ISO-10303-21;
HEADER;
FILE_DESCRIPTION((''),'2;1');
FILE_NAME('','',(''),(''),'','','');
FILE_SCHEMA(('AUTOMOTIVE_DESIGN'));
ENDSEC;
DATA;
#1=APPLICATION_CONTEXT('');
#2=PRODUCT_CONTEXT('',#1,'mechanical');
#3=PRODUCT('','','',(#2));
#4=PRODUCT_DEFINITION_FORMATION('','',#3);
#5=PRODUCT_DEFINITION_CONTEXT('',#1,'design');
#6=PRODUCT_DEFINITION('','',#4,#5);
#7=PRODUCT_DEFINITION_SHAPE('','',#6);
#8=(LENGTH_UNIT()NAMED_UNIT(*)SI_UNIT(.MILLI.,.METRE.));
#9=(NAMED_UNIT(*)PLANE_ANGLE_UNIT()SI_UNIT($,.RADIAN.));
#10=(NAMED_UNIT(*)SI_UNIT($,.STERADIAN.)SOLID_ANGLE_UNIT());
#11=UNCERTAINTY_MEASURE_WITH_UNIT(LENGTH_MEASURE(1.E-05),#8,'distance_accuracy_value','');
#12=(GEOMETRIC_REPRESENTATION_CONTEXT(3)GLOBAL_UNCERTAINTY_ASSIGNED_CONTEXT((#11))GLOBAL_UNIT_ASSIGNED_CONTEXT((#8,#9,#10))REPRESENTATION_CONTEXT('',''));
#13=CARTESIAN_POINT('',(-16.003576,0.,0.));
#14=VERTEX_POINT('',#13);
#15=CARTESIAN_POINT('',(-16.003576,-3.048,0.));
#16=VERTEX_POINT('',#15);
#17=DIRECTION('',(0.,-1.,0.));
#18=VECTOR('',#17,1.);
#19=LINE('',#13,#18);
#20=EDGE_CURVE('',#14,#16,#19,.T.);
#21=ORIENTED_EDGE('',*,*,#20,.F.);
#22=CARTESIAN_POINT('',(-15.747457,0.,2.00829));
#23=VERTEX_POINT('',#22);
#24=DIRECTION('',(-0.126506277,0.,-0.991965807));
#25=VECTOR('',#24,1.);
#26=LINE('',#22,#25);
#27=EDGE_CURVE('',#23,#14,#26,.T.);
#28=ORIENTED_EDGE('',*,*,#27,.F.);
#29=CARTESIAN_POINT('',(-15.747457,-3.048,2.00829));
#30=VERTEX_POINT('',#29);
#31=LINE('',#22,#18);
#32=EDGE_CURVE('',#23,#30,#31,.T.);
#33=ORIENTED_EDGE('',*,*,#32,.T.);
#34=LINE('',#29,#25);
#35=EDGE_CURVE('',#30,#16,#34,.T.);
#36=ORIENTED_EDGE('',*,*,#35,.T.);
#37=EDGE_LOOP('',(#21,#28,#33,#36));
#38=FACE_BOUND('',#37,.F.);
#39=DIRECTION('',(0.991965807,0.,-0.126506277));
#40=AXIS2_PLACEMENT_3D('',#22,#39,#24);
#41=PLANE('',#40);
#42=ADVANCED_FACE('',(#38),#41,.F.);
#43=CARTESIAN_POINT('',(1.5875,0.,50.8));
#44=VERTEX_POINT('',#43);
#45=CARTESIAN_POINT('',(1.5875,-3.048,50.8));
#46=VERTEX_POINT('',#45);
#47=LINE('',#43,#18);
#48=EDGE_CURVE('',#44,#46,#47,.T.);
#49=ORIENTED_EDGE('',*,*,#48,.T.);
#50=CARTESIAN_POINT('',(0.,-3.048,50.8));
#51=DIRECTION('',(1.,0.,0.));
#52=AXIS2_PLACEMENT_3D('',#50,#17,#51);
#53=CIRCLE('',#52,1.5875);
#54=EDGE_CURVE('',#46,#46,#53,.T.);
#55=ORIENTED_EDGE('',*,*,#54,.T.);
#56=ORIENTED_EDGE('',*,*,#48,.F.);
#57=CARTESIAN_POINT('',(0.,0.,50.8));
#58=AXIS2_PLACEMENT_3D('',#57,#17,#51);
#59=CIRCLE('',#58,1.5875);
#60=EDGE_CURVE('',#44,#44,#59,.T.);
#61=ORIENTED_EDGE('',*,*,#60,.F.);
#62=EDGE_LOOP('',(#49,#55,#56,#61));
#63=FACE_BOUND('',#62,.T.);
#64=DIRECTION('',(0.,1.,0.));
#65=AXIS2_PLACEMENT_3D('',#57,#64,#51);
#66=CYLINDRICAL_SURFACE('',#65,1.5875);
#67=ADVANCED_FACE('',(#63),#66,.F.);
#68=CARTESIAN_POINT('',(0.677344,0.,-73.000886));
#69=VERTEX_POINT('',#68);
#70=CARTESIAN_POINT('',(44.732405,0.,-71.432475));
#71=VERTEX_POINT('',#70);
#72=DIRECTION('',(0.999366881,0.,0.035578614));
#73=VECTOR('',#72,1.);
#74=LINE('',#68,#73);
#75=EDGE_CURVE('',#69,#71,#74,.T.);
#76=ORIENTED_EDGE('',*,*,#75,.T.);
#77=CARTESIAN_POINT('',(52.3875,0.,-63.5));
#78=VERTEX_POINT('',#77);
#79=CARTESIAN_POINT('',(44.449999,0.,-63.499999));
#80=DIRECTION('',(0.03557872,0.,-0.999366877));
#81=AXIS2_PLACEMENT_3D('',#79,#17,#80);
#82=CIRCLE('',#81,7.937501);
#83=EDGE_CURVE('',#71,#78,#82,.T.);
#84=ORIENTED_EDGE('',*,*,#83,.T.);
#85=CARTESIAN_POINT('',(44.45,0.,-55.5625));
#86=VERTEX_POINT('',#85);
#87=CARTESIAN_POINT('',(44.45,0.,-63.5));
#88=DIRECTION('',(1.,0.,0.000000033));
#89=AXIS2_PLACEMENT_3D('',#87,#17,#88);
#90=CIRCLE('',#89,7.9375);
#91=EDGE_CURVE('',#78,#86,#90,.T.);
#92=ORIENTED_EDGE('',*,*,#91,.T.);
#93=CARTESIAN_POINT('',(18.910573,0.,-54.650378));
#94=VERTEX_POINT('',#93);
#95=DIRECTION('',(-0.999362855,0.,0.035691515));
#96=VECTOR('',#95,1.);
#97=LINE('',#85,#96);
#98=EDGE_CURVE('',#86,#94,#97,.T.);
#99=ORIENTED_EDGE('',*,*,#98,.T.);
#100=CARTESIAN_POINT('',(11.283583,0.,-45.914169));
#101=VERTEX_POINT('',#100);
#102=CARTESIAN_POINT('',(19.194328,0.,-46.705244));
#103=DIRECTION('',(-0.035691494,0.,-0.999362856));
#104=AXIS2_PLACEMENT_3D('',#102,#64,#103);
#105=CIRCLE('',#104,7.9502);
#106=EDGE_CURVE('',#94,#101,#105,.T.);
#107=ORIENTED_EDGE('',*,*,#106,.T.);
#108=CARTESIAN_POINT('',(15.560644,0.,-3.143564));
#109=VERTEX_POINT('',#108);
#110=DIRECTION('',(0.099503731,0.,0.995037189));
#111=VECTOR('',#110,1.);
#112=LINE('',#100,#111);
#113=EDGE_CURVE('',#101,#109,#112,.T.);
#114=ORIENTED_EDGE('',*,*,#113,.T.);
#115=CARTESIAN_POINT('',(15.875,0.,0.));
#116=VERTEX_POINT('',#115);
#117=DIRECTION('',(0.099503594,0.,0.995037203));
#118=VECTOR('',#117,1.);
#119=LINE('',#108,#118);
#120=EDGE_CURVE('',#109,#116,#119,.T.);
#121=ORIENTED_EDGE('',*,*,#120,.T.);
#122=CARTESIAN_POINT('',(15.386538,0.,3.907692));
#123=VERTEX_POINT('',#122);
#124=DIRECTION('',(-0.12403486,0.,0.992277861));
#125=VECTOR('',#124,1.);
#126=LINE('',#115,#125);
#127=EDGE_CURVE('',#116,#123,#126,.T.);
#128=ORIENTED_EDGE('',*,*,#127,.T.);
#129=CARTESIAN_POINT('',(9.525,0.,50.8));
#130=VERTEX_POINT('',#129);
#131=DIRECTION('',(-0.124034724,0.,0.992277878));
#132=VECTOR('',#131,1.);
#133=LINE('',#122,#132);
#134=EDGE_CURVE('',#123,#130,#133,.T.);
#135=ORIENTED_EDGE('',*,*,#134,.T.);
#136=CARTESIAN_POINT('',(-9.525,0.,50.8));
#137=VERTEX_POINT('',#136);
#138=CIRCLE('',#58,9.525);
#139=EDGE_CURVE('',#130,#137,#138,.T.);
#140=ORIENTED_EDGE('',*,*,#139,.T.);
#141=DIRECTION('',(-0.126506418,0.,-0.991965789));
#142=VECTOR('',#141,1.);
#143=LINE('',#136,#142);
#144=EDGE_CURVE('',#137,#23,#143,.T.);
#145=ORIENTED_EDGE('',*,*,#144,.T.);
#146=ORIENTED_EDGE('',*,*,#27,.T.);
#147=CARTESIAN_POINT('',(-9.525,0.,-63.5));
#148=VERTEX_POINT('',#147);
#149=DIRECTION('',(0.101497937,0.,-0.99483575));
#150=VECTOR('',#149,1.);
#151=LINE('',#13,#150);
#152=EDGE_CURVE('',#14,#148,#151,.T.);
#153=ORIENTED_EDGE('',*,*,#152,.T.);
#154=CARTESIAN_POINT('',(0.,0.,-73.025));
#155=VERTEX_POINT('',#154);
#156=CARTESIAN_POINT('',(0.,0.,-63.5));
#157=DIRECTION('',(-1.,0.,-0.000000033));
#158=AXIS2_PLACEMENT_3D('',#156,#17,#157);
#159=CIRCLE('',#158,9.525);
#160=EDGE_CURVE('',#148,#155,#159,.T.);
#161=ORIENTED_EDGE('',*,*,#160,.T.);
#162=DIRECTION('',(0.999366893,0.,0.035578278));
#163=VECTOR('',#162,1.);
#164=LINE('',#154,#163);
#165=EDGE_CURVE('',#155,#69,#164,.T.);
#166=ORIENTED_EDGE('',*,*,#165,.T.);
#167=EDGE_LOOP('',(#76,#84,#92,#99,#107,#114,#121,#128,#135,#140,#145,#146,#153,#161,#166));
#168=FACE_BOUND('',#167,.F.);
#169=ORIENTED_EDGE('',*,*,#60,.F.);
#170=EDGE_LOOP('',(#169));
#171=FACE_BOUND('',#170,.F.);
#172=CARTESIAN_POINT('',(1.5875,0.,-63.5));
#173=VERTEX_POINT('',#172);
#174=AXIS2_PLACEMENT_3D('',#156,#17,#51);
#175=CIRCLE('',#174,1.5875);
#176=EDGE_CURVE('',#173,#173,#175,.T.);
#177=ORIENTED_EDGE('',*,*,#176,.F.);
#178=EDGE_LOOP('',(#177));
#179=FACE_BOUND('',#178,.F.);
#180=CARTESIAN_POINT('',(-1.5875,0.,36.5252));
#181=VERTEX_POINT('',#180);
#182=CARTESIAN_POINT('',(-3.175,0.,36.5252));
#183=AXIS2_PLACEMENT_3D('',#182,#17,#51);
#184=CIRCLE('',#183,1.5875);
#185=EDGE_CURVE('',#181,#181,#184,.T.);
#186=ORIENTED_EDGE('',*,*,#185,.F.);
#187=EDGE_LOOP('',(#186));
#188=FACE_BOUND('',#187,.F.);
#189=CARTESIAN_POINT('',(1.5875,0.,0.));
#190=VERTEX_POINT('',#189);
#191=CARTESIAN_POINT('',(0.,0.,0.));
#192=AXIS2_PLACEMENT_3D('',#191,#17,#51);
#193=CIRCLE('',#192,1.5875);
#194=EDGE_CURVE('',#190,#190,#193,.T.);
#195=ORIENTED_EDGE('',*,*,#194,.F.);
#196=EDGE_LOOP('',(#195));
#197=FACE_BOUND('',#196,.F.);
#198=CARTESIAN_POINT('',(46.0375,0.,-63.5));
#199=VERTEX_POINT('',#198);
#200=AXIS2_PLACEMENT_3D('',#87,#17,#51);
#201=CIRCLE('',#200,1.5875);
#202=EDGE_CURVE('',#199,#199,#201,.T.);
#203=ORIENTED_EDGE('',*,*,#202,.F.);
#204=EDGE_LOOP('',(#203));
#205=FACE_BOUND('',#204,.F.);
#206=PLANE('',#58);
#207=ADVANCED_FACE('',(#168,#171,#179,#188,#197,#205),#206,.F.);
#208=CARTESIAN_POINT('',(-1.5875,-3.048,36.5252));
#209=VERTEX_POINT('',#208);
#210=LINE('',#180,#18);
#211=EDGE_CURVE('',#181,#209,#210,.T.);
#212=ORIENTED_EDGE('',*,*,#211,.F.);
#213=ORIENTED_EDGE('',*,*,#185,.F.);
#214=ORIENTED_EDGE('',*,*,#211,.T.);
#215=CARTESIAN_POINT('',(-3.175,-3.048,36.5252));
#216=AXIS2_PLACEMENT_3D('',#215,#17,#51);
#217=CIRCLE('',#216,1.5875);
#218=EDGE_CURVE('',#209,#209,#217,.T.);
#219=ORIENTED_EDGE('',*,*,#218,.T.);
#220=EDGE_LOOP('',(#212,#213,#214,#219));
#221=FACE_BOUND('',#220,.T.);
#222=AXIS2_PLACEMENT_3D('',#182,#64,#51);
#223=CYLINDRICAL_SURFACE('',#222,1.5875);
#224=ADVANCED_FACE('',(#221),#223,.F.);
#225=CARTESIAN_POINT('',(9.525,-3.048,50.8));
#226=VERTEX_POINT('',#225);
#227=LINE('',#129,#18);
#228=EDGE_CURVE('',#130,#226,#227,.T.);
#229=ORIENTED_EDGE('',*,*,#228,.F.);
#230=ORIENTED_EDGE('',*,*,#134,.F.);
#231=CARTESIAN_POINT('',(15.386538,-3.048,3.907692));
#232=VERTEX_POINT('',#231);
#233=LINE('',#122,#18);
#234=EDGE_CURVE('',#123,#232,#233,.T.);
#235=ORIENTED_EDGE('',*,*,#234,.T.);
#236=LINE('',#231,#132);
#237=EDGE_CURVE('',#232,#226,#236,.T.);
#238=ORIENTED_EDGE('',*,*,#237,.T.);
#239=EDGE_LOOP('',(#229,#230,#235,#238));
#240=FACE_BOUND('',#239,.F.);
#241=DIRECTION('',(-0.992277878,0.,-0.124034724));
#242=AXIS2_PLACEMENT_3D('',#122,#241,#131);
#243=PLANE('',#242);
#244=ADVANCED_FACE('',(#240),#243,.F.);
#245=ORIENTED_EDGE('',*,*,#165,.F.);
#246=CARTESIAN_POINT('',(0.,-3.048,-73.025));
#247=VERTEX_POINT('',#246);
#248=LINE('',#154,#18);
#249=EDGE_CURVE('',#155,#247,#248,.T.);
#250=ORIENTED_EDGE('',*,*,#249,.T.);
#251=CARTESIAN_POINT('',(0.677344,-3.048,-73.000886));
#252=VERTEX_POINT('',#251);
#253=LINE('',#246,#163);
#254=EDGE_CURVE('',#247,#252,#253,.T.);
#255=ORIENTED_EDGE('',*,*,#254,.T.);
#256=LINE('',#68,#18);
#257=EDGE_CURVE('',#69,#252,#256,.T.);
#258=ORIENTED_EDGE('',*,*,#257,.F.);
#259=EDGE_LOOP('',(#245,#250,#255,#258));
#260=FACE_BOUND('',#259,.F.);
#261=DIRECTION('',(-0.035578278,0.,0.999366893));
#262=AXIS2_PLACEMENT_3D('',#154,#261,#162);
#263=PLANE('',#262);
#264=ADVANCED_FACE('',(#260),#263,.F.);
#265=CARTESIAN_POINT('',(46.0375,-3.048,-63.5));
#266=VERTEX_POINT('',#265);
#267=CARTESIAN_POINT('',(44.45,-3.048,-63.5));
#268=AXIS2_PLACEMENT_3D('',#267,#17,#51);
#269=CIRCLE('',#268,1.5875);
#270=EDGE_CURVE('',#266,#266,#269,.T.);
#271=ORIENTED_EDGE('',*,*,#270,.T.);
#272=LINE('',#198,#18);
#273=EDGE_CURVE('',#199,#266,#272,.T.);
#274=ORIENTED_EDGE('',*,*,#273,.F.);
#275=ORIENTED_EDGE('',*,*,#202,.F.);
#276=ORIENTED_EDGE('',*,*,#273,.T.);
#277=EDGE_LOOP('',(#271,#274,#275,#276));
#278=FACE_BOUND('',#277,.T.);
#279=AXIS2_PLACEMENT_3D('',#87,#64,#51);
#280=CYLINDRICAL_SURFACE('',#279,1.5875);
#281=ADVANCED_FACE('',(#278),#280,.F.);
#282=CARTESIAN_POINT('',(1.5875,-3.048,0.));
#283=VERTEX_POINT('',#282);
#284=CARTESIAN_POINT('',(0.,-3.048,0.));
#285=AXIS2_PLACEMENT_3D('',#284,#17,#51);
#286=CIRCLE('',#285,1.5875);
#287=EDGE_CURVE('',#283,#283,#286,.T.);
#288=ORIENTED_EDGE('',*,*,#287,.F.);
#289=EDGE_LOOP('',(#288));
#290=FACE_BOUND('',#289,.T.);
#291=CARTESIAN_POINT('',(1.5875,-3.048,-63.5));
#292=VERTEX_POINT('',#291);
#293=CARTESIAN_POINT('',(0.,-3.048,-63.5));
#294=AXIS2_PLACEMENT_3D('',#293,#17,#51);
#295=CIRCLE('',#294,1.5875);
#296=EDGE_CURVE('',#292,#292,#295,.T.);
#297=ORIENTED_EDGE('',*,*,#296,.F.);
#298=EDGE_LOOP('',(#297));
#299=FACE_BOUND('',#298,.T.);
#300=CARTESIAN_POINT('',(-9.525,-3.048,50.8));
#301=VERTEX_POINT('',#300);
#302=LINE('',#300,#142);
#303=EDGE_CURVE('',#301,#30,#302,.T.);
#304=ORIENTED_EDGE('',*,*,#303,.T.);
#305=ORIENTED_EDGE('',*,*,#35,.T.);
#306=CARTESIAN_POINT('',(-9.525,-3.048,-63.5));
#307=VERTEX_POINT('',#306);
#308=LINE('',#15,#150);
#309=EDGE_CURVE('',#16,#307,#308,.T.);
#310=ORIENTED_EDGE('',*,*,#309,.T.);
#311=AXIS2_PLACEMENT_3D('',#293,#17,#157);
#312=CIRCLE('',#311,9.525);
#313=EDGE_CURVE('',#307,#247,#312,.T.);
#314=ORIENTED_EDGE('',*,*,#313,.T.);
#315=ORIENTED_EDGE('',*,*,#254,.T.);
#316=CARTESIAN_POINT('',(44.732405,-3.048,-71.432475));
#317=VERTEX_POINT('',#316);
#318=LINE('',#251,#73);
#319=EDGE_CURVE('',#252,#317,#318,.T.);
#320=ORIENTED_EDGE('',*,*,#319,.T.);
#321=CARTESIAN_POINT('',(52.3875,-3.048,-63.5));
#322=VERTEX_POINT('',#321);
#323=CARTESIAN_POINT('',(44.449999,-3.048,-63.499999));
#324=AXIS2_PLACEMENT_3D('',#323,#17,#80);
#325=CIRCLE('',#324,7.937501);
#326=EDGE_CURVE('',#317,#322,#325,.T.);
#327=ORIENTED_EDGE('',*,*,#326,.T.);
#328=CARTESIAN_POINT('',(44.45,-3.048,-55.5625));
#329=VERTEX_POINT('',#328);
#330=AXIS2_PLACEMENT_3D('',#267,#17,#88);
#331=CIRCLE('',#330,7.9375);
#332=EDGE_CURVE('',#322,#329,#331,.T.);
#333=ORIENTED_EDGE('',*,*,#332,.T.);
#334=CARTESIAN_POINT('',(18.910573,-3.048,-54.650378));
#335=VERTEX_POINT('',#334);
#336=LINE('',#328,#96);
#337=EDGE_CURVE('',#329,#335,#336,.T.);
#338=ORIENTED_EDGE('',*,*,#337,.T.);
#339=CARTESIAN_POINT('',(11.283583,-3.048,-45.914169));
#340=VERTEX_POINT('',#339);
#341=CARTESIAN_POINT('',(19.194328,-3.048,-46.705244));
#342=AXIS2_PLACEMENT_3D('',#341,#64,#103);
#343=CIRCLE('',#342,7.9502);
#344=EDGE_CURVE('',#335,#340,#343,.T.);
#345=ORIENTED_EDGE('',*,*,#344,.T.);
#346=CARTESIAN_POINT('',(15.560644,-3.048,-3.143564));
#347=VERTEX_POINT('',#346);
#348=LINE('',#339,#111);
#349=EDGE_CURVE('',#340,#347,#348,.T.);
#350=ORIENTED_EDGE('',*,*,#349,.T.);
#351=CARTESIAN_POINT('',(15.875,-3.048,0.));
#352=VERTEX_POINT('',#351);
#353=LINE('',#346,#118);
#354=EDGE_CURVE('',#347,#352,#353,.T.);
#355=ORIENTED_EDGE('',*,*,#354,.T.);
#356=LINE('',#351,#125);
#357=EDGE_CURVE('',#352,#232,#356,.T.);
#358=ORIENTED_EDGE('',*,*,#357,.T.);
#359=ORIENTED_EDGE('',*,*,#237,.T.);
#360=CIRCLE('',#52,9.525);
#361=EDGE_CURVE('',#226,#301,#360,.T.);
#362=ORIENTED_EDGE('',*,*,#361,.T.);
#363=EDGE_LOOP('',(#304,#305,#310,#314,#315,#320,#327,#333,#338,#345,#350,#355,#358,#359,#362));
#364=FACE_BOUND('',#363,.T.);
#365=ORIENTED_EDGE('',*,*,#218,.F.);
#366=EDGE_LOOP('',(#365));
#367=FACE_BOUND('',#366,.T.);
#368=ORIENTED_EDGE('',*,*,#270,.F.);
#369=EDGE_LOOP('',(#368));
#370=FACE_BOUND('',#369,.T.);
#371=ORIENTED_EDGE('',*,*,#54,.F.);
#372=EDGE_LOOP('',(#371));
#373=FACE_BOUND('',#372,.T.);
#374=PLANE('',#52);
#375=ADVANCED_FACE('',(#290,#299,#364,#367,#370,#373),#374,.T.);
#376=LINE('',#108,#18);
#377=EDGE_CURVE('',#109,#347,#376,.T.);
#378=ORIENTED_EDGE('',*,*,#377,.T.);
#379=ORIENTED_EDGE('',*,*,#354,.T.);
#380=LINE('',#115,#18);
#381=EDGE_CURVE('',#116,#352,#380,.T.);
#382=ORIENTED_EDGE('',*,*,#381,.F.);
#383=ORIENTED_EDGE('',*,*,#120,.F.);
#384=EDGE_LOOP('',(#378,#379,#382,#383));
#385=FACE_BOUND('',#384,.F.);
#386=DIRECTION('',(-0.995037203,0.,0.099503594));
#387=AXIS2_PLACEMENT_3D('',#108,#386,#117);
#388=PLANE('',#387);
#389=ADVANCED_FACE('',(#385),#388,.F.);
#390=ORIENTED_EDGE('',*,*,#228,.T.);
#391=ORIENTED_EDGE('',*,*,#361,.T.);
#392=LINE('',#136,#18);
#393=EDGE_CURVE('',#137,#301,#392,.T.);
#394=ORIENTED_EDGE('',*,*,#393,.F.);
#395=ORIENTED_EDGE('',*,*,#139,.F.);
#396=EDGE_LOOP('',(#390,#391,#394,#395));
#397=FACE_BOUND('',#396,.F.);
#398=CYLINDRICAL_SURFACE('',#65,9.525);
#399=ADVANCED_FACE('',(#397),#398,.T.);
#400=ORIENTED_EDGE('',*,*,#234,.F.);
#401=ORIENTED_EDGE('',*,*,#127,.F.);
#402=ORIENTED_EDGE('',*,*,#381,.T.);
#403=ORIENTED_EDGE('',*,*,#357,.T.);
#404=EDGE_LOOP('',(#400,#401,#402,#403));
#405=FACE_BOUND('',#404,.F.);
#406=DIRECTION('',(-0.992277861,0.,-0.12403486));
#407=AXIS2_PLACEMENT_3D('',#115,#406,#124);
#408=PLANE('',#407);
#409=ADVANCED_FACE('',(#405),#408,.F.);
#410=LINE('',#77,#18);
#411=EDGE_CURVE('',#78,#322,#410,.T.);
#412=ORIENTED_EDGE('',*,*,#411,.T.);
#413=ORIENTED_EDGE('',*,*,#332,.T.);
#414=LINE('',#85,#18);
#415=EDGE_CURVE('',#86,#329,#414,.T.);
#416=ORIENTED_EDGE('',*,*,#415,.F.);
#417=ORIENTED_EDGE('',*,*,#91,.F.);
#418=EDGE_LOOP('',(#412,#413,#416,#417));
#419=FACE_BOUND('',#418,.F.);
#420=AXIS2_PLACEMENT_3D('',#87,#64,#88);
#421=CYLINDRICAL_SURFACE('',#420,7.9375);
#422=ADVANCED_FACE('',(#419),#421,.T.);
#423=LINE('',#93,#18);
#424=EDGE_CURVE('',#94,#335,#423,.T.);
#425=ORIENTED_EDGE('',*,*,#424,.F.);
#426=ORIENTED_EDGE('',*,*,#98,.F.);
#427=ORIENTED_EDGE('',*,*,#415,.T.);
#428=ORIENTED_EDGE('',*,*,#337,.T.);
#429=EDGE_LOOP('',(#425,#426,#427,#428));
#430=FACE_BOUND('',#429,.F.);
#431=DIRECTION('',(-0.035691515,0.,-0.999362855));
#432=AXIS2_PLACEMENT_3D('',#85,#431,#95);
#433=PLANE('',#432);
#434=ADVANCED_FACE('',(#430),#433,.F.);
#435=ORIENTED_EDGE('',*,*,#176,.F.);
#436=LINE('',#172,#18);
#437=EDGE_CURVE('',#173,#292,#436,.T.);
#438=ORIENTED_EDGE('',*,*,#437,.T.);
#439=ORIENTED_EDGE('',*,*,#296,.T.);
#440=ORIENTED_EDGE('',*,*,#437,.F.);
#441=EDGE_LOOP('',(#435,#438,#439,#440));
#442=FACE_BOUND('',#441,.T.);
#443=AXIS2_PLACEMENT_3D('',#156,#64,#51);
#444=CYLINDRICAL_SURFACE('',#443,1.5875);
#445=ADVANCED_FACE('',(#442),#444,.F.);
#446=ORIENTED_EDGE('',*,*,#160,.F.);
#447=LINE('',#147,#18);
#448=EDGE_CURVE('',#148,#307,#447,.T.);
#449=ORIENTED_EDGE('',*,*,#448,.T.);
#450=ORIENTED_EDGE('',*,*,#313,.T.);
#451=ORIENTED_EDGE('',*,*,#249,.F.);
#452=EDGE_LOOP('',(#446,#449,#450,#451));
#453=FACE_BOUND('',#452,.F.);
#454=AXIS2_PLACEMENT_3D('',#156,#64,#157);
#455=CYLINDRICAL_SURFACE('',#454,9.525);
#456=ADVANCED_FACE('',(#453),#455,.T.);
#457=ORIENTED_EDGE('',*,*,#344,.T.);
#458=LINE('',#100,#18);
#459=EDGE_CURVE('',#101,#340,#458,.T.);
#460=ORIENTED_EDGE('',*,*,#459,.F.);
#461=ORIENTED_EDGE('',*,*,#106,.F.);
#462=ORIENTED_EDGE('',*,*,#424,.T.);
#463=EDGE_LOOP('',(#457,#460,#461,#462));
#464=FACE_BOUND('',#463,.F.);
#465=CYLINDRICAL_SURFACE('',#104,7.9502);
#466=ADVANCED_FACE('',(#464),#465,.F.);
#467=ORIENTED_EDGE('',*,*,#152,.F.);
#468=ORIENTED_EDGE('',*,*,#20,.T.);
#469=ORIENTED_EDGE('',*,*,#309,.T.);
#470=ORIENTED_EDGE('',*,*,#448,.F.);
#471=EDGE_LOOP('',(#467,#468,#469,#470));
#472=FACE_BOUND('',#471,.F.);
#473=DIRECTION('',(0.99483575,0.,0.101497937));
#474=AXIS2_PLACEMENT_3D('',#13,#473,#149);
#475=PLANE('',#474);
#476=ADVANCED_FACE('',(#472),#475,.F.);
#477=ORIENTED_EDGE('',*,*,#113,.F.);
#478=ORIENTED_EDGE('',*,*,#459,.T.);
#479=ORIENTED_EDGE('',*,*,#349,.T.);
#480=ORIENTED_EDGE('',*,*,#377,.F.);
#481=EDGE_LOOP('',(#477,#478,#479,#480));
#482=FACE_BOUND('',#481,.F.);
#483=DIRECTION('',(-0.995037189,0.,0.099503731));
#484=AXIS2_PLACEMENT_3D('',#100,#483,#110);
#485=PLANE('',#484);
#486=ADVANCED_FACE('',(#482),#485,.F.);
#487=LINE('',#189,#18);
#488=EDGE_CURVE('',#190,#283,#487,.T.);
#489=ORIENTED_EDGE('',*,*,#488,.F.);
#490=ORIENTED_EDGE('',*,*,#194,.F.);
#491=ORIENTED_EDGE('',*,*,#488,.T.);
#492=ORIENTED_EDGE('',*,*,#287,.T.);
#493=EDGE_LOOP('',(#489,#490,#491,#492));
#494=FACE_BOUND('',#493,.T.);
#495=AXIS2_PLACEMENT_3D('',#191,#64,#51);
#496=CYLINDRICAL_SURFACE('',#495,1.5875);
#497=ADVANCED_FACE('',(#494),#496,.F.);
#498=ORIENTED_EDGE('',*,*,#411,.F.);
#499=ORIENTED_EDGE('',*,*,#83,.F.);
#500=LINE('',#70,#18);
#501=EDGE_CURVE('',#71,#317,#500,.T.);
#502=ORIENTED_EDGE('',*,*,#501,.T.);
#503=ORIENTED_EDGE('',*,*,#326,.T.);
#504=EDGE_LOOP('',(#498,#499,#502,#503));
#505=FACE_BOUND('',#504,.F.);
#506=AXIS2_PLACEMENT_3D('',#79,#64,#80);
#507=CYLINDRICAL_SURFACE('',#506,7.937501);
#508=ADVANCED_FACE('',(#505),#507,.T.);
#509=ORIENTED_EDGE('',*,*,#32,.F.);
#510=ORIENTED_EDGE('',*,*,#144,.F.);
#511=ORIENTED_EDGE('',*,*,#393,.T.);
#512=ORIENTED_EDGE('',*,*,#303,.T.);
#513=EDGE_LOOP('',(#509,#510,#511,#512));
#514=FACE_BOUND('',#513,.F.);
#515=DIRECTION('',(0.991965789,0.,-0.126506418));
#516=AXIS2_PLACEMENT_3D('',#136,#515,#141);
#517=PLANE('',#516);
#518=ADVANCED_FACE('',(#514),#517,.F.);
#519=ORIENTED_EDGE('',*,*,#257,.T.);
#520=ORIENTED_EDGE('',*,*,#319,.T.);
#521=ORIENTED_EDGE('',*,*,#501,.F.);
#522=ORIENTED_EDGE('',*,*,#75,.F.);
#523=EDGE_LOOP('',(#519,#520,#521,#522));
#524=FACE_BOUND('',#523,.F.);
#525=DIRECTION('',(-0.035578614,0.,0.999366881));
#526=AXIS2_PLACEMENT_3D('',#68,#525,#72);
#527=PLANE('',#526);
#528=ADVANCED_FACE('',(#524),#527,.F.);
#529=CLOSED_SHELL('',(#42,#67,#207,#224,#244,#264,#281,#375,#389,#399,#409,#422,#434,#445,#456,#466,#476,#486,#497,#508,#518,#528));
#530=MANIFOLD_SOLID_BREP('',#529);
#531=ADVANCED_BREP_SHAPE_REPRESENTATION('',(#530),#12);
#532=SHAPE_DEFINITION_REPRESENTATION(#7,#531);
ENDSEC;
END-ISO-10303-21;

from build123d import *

# Parameters (mm, degrees)
F0_R     = 1.5875
F1_DEPTH = 3.048


with BuildPart() as f1:
    # F0 (on Front) → F1 (new body)
    with BuildSketch(Plane.XZ):
        with BuildLine():
            ThreePointArc((-9.525, 50.8), (0, 41.275), (9.525, 50.8))
            ThreePointArc((9.525, 50.8), (0, 60.325), (-9.525, 50.8))
        make_face()
        with Locations((0, 50.8)):
            Circle(F0_R, mode=Mode.SUBTRACT)
        with BuildLine():
            Line((15.386538, 3.907692), (9.525, 50.8))
            ThreePointArc((9.525, 50.8), (0, 41.275), (-9.525, 50.8))
            Line((-9.525, 50.8), (-15.747457, 2.00829))
            ThreePointArc((-15.747457, 2.00829), (-0.966694, 15.84554), (15.386538, 3.907692))
        make_face()
        with Locations((-3.175, 36.5252)):
            Circle(F0_R, mode=Mode.SUBTRACT)
        with BuildLine():
            Line((15.875, 0), (15.386538, 3.907692))
            ThreePointArc((15.386538, 3.907692), (-0.966694, 15.84554), (-15.747457, 2.00829))
            ThreePointArc((-15.747457, 2.00829), (-2.57762, -15.664338), (15.560644, -3.143564))
            Line((15.560644, -3.143564), (15.875, 0))
        make_face()
        Circle(F0_R, mode=Mode.SUBTRACT)
        with BuildLine():
            ThreePointArc((15.560644, -3.143564), (-2.57762, -15.664338), (-15.747457, 2.00829))
            Line((-15.747457, 2.00829), (-16.003576, 0))
            Line((-16.003576, 0), (-9.525, -63.5))
            ThreePointArc((-9.525, -63.5), (0, -53.975), (9.525, -63.5))
            ThreePointArc((9.525, -63.5), (6.970557, -69.991299), (0.677344, -73.000886))
            Line((0.677344, -73.000886), (44.732405, -71.432475))
            ThreePointArc((44.732405, -71.432475), (36.513756, -63.641225), (44.45, -55.5625))
            Line((44.45, -55.5625), (18.910573, -54.650378))
            ThreePointArc((18.910573, -54.650378), (13.205355, -51.933808), (11.283583, -45.914169))
            Line((11.283583, -45.914169), (15.560644, -3.143564))
        make_face()
        with BuildLine():
            ThreePointArc((52.3875, -63.5), (50.06266, -57.88734), (44.45, -55.5625))
            ThreePointArc((44.45, -55.5625), (36.513756, -63.641225), (44.732405, -71.432475))
            ThreePointArc((44.732405, -71.432475), (50.161633, -69.01191), (52.3875, -63.5))
        make_face()
        with Locations((44.45, -63.5)):
            Circle(F0_R, mode=Mode.SUBTRACT)
        with BuildLine():
            ThreePointArc((9.525, -63.5), (0, -53.975), (-9.525, -63.5))
            ThreePointArc((-9.525, -63.5), (-6.735192, -70.235192), (0, -73.025))
            Line((0, -73.025), (0.677344, -73.000886))
            ThreePointArc((0.677344, -73.000886), (6.970557, -69.991299), (9.525, -63.5))
        make_face()
        with Locations((0, -63.5)):
            Circle(F0_R, mode=Mode.SUBTRACT)
    extrude(amount=F1_DEPTH)


solid = f1.part
